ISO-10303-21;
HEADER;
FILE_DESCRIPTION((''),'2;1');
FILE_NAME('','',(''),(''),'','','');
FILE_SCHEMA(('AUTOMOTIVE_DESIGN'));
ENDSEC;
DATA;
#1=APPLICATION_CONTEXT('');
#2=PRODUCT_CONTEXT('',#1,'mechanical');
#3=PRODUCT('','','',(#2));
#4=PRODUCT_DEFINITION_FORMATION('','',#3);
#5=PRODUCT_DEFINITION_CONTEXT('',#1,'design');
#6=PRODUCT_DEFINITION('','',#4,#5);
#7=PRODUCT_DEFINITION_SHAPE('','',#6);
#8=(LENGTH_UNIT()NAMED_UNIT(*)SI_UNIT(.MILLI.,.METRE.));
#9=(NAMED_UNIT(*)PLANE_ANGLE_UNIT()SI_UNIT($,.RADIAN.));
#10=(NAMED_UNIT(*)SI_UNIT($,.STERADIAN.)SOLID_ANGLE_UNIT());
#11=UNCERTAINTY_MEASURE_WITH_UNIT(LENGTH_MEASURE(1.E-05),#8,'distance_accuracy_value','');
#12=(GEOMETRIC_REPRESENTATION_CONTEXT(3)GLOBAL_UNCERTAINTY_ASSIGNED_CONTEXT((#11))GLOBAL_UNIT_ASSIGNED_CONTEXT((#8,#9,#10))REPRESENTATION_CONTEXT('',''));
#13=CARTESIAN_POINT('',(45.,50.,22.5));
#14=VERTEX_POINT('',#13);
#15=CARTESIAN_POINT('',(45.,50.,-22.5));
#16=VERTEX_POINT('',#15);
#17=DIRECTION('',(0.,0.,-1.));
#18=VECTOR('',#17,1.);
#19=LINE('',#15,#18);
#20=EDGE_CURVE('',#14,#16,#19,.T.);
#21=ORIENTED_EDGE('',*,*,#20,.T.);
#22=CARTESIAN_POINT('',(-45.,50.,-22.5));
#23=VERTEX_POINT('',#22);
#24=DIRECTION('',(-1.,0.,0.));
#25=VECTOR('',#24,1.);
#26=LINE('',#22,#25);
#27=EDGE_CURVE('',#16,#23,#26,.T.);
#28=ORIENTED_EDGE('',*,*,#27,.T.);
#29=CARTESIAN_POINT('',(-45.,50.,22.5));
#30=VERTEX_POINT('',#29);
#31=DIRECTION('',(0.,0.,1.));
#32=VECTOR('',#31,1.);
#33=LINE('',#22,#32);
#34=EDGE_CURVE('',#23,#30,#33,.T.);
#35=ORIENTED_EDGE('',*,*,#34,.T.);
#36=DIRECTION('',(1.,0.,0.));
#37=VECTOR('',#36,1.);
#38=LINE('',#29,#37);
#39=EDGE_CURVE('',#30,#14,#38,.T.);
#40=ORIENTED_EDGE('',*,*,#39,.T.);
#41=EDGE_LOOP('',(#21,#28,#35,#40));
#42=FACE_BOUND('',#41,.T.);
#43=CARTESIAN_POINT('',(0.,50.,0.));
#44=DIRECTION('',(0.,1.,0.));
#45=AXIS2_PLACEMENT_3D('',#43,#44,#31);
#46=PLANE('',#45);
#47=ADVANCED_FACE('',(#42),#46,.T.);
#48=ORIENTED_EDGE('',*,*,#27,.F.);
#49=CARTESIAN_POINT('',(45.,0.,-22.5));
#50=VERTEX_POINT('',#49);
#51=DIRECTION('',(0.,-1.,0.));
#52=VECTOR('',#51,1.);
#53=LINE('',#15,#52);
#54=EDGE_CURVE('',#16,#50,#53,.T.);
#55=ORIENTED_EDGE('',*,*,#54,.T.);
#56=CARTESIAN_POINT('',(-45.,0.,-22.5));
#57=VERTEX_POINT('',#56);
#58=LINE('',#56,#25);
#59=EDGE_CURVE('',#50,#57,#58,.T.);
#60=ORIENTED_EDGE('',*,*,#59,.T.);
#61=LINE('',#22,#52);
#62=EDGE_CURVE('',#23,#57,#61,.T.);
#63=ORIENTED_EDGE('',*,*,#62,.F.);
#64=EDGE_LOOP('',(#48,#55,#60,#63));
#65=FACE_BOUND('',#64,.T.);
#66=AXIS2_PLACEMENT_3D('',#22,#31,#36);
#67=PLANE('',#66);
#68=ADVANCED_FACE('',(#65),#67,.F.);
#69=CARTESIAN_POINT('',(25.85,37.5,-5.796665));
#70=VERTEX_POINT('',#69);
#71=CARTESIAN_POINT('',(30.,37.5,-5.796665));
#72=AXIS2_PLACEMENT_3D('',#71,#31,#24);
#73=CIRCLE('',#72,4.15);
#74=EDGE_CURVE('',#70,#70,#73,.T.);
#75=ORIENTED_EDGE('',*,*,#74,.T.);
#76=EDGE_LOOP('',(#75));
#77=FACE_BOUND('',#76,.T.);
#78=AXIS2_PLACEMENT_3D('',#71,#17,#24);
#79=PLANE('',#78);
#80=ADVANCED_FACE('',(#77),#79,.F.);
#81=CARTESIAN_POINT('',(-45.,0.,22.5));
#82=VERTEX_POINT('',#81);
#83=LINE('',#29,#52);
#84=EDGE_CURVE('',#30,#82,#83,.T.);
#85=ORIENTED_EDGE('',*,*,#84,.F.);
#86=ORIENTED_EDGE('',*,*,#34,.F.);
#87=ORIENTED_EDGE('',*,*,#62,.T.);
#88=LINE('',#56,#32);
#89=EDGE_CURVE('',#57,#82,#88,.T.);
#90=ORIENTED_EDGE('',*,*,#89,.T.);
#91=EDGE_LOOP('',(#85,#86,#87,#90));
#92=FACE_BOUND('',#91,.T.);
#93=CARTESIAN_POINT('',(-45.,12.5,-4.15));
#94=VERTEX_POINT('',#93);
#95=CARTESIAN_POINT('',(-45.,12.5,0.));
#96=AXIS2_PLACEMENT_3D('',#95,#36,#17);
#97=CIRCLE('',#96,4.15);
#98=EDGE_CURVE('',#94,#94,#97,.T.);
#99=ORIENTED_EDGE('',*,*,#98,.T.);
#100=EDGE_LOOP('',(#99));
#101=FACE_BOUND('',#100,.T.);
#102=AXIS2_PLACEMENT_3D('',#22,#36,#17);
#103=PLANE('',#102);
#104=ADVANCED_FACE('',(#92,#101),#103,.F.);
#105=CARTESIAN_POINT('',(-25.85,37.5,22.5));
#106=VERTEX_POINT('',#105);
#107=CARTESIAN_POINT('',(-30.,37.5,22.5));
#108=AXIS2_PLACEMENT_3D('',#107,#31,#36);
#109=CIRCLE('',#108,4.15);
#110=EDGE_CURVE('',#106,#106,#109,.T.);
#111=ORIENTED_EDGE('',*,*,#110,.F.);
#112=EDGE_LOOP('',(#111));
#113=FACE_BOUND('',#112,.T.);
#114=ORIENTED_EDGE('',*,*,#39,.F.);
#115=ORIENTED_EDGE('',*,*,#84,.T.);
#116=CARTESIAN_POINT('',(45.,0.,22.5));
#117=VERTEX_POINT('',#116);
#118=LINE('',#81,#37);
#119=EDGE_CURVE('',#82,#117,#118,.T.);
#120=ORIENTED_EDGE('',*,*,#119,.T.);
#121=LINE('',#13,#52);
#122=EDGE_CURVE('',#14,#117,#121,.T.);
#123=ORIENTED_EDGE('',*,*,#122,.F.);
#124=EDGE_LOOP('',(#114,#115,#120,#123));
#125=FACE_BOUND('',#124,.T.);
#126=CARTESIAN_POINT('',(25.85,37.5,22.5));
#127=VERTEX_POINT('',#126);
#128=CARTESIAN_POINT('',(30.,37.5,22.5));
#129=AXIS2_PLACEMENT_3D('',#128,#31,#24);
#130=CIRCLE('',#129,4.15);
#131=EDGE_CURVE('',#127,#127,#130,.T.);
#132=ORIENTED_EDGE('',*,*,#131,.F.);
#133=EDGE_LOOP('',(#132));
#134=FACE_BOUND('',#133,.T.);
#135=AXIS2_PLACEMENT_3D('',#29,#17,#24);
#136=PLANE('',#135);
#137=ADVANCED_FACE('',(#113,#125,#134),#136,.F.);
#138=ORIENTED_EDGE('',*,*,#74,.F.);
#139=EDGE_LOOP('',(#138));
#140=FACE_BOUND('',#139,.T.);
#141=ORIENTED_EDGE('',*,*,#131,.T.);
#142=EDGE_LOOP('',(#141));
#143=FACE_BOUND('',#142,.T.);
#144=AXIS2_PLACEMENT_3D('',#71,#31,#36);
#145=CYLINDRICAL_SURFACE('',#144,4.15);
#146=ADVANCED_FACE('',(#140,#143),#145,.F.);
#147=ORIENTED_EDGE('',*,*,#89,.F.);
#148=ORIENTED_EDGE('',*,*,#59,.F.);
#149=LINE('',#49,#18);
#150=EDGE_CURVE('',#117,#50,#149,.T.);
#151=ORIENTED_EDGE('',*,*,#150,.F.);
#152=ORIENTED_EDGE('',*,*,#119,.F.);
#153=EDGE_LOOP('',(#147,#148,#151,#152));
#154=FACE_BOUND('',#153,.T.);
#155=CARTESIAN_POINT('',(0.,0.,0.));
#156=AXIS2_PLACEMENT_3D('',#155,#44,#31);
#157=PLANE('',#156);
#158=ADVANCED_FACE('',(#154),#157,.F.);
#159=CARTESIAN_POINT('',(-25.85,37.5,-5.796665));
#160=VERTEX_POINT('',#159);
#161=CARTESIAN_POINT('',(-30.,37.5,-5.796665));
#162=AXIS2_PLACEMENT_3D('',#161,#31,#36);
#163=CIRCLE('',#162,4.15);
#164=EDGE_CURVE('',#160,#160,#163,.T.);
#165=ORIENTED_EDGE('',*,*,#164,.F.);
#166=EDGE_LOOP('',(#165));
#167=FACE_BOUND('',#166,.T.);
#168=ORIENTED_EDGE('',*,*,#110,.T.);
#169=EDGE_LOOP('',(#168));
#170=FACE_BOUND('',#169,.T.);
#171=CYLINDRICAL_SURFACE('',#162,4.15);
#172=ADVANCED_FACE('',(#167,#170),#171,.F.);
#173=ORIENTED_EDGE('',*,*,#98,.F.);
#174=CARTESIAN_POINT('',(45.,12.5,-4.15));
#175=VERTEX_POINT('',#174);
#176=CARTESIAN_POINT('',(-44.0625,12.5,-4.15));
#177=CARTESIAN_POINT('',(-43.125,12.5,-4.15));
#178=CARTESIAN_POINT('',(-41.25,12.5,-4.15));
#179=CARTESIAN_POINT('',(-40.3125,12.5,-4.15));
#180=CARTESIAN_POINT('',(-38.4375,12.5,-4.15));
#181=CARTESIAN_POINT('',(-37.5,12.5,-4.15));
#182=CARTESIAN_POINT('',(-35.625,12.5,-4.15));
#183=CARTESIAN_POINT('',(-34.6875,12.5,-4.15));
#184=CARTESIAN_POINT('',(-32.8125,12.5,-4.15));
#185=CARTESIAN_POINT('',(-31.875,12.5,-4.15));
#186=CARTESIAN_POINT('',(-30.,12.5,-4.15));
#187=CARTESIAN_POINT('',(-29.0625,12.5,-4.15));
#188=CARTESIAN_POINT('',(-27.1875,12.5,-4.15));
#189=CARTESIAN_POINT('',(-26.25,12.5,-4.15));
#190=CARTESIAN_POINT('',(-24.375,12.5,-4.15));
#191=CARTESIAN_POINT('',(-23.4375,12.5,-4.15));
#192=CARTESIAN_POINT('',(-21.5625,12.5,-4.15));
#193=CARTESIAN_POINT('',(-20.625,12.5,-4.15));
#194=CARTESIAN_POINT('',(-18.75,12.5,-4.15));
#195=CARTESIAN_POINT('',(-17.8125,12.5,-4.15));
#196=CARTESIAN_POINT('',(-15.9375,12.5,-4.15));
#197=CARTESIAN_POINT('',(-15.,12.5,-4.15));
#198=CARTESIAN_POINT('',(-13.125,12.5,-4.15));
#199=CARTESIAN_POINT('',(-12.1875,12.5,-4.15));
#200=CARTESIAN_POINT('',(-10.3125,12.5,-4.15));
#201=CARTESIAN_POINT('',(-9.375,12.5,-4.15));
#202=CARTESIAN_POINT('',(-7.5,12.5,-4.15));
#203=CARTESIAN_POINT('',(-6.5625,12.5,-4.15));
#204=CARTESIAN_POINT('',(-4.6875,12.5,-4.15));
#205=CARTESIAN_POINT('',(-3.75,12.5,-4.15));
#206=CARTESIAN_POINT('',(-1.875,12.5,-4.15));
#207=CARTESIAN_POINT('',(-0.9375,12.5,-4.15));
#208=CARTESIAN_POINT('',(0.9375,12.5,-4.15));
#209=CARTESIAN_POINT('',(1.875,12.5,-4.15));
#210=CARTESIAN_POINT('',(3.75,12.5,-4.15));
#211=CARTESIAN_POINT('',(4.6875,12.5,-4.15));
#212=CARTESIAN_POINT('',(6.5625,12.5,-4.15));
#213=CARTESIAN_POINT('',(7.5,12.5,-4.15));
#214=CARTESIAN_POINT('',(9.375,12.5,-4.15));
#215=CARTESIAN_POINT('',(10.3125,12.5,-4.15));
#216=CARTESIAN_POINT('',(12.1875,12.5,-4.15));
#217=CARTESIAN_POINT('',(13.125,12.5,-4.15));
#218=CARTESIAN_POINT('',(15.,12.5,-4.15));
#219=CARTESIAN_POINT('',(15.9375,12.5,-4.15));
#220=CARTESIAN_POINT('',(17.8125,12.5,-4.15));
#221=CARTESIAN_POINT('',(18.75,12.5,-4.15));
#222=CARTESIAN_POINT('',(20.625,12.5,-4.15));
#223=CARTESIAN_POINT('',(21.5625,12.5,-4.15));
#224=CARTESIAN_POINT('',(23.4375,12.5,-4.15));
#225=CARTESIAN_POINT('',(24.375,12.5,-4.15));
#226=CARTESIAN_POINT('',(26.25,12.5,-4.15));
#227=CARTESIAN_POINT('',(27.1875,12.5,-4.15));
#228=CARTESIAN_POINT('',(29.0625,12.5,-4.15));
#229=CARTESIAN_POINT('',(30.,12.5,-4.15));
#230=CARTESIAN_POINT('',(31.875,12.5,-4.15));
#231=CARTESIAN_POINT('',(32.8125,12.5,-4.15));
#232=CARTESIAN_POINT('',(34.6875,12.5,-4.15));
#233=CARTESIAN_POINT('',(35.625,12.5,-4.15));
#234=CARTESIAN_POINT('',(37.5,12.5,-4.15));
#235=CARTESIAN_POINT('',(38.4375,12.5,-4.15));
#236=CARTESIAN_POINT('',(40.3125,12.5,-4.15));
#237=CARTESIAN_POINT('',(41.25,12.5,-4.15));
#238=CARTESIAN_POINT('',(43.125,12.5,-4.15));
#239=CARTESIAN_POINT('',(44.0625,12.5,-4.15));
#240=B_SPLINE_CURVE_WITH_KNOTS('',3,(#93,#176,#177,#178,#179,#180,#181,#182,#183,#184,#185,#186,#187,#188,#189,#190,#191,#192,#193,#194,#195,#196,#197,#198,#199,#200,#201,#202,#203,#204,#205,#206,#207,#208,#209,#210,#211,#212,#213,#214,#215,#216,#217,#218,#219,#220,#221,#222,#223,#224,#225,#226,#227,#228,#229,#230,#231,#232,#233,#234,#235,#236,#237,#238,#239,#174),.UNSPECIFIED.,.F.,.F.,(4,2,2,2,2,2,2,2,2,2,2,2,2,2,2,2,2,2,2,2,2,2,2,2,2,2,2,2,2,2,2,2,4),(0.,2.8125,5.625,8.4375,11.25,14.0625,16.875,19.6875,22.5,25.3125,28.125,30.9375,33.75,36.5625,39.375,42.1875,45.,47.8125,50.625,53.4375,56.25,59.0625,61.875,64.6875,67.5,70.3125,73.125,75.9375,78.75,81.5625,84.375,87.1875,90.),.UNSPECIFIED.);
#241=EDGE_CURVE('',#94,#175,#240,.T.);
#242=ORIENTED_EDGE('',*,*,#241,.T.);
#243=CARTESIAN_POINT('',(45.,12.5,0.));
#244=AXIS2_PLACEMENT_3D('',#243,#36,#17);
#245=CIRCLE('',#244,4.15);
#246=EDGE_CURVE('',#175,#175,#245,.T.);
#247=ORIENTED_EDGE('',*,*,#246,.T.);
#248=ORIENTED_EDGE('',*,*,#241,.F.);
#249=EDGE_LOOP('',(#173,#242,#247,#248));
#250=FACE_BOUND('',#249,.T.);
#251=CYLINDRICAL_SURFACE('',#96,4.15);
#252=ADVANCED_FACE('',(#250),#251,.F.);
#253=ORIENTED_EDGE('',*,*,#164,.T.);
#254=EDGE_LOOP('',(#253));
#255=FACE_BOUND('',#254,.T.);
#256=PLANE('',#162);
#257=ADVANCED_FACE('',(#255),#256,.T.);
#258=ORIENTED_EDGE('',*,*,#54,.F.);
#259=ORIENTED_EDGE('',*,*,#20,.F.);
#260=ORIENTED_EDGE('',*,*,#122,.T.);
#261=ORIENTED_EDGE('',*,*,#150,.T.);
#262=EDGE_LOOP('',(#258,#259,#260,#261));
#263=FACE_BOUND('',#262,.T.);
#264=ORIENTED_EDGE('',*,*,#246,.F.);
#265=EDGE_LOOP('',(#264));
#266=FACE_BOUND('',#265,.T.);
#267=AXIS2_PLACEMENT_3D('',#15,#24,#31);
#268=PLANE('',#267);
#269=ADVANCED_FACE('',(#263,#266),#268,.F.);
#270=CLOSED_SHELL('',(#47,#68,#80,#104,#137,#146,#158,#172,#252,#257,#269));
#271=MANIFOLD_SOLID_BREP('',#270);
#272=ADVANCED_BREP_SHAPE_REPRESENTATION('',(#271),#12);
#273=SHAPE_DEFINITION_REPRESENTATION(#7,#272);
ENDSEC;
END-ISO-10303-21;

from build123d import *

# Parameters (mm, degrees)
SKETCH1_W           = 90
SKETCH1_H           = 45
BOSS_EXTRUDE1_DEPTH = 50
SKETCH2_R           = 4.15
CUT_EXTRUDE1_DEPTH  = 28.296664924
SKETCH3_R           = 4.15
CUT_EXTRUDE2_DEPTH  = 106.386194542


with BuildPart() as part:
    # Sketch1 → Boss-Extrude1 (new body)
    with BuildSketch(Plane(origin=(0, 0, 0), x_dir=(1, 0, 0), z_dir=(0, 1, 0))):
        Rectangle(SKETCH1_W, SKETCH1_H)
    extrude(amount=BOSS_EXTRUDE1_DEPTH)

    # Sketch2 → Cut-Extrude1 (cut)
    with BuildSketch(Plane.XY.offset(22.5)):
        with Locations((-30, 37.5)):
            Circle(SKETCH2_R)
        with Locations(Location((30, 37.5, 0), (0, 0, 180))):
            Circle(SKETCH2_R)
    extrude(amount=-CUT_EXTRUDE1_DEPTH, mode=Mode.SUBTRACT)

    # Sketch3 → Cut-Extrude2 (cut, through all)
    with BuildSketch(Plane(origin=(45, 0, 0), x_dir=(0, 0, -1), z_dir=(1, 0, 0))):
        with Locations((0, 12.5)):
            Circle(SKETCH3_R)
    extrude(amount=-CUT_EXTRUDE2_DEPTH, mode=Mode.SUBTRACT)


solid = part.part
